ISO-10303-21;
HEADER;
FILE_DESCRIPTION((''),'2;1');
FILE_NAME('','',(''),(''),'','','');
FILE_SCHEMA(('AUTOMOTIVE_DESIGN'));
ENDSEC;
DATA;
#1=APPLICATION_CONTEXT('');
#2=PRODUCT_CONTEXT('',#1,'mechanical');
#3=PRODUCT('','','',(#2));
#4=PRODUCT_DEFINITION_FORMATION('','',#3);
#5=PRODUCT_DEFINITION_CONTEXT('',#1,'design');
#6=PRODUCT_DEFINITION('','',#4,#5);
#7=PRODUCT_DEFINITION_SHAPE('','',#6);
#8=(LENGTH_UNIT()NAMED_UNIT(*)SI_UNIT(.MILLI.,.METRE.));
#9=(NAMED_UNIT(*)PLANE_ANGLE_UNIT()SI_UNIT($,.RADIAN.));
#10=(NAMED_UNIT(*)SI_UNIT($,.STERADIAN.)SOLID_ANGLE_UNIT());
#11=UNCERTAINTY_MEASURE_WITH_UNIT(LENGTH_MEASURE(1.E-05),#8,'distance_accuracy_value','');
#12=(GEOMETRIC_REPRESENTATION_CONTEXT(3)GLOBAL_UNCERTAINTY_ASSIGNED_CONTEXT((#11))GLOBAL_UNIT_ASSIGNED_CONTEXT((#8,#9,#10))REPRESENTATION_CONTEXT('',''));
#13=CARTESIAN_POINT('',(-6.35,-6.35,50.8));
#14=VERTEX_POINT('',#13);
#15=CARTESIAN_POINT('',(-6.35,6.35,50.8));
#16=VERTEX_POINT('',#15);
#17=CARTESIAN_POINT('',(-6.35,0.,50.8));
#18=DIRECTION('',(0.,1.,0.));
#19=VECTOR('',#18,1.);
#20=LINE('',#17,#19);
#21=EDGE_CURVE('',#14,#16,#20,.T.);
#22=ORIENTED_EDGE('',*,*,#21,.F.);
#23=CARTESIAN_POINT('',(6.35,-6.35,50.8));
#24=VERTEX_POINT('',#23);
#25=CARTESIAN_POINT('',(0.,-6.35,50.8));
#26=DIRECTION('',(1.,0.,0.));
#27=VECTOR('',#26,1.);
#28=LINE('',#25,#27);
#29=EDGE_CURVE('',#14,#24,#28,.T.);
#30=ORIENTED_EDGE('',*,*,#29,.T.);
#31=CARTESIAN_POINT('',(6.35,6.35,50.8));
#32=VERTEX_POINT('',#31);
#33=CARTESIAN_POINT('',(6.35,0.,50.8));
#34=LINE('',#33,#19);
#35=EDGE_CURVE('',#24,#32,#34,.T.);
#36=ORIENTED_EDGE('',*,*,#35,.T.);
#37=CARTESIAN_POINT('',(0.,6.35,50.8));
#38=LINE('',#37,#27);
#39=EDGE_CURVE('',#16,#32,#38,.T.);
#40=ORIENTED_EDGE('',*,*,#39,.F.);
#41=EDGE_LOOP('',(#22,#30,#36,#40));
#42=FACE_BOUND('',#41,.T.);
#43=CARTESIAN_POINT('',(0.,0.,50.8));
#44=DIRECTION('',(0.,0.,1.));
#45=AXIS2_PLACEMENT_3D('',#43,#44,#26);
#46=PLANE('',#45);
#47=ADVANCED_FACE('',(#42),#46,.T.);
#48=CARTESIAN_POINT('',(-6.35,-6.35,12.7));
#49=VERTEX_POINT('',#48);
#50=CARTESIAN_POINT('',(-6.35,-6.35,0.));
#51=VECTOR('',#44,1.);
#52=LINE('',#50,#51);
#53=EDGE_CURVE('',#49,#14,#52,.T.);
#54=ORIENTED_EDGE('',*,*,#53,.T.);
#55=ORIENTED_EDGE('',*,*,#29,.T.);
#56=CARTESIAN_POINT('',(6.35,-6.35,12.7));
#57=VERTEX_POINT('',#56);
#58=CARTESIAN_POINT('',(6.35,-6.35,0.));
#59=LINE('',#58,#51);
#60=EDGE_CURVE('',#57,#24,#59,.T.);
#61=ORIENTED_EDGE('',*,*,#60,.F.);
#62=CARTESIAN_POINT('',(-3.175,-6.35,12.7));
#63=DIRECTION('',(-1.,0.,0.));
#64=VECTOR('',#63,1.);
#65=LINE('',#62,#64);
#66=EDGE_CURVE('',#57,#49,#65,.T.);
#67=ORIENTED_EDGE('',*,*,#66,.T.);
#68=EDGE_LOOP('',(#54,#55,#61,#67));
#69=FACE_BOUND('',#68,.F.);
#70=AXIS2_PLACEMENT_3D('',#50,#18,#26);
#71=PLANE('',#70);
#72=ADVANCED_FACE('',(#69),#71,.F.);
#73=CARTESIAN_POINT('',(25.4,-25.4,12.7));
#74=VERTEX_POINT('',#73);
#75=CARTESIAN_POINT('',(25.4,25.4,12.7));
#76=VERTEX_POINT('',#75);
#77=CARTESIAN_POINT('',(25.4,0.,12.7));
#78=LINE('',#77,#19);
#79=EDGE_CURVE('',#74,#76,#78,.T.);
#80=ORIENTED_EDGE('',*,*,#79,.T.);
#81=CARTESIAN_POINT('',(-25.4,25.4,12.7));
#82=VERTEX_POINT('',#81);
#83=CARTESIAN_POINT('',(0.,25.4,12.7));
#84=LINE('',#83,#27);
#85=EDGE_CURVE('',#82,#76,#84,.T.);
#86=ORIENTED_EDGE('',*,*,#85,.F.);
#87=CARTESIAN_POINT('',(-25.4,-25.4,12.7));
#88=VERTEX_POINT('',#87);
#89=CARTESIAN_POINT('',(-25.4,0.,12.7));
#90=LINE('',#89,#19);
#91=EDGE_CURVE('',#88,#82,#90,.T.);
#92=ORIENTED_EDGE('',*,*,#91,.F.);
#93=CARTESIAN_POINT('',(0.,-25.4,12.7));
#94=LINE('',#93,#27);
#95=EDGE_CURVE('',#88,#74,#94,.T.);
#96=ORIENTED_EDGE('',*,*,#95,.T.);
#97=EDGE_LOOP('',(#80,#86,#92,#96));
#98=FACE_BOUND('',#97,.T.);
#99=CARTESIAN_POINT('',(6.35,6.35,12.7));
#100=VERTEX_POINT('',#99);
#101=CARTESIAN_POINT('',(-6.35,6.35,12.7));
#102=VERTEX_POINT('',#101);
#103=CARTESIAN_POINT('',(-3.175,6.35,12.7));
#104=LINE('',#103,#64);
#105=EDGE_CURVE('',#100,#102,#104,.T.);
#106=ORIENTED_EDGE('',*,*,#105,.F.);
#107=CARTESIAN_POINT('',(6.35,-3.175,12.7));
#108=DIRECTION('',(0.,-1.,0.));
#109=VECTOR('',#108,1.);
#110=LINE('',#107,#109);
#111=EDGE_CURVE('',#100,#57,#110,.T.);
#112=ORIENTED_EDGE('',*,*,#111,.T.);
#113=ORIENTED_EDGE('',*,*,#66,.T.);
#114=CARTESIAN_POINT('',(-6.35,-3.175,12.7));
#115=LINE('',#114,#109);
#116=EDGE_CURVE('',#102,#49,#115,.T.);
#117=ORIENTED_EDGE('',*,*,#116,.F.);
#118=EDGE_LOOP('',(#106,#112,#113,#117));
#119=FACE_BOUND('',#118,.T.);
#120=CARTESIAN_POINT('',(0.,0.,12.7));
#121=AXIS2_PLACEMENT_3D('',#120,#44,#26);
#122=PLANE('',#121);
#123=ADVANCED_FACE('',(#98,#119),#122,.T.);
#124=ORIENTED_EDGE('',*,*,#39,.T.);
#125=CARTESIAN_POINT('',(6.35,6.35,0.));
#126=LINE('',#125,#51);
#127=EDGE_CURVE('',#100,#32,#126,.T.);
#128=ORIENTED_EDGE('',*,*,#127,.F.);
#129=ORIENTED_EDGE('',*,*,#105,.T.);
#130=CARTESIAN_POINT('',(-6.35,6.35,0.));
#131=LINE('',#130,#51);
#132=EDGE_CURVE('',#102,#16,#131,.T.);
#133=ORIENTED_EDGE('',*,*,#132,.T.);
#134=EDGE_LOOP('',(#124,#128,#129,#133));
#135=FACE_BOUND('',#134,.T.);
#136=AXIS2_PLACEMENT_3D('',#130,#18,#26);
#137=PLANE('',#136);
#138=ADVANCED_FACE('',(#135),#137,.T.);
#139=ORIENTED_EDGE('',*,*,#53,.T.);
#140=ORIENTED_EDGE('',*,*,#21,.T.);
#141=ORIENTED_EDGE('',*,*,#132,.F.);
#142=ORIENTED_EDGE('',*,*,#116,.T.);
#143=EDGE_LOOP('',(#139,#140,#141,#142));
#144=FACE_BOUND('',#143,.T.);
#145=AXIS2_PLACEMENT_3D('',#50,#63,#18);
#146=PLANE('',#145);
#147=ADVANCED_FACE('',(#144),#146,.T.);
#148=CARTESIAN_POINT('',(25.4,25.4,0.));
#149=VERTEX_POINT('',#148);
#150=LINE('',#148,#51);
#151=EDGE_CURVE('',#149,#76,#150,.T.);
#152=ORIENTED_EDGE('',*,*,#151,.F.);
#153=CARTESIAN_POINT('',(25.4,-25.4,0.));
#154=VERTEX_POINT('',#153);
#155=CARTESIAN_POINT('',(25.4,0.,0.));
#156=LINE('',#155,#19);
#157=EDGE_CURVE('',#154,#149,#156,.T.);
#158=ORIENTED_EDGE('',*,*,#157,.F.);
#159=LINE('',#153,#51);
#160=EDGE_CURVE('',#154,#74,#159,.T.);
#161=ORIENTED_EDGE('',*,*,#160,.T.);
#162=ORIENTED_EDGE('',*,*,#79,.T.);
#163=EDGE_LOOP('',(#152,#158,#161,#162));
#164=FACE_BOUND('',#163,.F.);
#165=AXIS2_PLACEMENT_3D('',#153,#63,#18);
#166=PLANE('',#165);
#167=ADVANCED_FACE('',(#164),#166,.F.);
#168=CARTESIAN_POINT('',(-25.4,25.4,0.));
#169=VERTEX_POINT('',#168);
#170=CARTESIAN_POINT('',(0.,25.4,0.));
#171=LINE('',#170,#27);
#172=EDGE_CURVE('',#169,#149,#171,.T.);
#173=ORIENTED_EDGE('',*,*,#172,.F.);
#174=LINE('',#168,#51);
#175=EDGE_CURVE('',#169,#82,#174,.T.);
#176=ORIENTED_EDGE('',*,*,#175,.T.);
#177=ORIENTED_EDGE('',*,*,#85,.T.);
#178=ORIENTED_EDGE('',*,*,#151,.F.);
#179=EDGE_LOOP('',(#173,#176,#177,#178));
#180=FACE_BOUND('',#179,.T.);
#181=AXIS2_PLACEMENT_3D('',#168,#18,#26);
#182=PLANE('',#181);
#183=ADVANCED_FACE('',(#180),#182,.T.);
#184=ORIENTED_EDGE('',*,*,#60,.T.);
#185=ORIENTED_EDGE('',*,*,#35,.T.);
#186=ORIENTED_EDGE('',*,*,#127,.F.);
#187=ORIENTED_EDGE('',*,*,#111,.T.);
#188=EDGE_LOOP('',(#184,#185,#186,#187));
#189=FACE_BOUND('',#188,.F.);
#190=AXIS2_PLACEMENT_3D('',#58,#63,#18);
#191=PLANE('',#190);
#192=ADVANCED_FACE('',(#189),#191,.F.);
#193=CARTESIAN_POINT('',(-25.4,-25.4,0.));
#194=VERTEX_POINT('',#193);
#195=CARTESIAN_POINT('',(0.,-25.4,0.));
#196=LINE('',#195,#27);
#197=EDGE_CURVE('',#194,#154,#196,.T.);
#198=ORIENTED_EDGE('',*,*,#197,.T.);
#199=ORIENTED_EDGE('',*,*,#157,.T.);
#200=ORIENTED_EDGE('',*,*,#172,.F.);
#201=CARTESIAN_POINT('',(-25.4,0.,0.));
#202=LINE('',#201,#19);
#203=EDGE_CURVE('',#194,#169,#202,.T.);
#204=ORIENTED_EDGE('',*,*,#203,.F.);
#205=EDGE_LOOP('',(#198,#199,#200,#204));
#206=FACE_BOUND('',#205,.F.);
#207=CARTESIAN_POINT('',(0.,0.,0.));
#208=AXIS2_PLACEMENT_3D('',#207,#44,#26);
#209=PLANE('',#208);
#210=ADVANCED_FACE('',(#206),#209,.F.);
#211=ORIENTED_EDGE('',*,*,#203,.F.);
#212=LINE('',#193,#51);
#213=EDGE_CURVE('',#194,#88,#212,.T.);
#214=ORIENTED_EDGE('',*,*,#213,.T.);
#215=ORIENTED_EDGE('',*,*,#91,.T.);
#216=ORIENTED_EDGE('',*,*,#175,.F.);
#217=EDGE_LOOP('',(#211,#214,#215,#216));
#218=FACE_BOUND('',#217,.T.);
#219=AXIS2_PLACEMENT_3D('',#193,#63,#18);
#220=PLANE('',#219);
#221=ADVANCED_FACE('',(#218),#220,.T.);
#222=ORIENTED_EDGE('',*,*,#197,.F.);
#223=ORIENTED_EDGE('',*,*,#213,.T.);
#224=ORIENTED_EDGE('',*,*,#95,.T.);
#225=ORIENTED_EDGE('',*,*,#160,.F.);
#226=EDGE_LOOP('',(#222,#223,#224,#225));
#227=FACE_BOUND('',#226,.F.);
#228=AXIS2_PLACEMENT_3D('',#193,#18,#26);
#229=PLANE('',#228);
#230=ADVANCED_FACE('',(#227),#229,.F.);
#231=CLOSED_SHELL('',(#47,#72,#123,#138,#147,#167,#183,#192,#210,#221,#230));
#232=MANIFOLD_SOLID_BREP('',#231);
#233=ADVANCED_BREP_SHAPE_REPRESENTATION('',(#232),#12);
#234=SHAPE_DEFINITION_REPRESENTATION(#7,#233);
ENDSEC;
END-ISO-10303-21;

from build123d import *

# Parameters (mm, degrees)
F0_W     = 50.8
F0_H     = 50.8
F1_DEPTH = 12.7
F2_W     = 12.7
F2_H     = 12.7
F3_DEPTH = 50.8


with BuildPart() as f1:
    # F0 (on Top) → F1 (new body)
    with BuildSketch(Plane.XY):
        Rectangle(F0_W, F0_H)
    extrude(amount=F1_DEPTH)

    # F2 (on Top) → F3 (join)
    with BuildSketch(Plane.XY):
        Rectangle(F2_W, F2_H)
    extrude(amount=F3_DEPTH)


solid = f1.part
